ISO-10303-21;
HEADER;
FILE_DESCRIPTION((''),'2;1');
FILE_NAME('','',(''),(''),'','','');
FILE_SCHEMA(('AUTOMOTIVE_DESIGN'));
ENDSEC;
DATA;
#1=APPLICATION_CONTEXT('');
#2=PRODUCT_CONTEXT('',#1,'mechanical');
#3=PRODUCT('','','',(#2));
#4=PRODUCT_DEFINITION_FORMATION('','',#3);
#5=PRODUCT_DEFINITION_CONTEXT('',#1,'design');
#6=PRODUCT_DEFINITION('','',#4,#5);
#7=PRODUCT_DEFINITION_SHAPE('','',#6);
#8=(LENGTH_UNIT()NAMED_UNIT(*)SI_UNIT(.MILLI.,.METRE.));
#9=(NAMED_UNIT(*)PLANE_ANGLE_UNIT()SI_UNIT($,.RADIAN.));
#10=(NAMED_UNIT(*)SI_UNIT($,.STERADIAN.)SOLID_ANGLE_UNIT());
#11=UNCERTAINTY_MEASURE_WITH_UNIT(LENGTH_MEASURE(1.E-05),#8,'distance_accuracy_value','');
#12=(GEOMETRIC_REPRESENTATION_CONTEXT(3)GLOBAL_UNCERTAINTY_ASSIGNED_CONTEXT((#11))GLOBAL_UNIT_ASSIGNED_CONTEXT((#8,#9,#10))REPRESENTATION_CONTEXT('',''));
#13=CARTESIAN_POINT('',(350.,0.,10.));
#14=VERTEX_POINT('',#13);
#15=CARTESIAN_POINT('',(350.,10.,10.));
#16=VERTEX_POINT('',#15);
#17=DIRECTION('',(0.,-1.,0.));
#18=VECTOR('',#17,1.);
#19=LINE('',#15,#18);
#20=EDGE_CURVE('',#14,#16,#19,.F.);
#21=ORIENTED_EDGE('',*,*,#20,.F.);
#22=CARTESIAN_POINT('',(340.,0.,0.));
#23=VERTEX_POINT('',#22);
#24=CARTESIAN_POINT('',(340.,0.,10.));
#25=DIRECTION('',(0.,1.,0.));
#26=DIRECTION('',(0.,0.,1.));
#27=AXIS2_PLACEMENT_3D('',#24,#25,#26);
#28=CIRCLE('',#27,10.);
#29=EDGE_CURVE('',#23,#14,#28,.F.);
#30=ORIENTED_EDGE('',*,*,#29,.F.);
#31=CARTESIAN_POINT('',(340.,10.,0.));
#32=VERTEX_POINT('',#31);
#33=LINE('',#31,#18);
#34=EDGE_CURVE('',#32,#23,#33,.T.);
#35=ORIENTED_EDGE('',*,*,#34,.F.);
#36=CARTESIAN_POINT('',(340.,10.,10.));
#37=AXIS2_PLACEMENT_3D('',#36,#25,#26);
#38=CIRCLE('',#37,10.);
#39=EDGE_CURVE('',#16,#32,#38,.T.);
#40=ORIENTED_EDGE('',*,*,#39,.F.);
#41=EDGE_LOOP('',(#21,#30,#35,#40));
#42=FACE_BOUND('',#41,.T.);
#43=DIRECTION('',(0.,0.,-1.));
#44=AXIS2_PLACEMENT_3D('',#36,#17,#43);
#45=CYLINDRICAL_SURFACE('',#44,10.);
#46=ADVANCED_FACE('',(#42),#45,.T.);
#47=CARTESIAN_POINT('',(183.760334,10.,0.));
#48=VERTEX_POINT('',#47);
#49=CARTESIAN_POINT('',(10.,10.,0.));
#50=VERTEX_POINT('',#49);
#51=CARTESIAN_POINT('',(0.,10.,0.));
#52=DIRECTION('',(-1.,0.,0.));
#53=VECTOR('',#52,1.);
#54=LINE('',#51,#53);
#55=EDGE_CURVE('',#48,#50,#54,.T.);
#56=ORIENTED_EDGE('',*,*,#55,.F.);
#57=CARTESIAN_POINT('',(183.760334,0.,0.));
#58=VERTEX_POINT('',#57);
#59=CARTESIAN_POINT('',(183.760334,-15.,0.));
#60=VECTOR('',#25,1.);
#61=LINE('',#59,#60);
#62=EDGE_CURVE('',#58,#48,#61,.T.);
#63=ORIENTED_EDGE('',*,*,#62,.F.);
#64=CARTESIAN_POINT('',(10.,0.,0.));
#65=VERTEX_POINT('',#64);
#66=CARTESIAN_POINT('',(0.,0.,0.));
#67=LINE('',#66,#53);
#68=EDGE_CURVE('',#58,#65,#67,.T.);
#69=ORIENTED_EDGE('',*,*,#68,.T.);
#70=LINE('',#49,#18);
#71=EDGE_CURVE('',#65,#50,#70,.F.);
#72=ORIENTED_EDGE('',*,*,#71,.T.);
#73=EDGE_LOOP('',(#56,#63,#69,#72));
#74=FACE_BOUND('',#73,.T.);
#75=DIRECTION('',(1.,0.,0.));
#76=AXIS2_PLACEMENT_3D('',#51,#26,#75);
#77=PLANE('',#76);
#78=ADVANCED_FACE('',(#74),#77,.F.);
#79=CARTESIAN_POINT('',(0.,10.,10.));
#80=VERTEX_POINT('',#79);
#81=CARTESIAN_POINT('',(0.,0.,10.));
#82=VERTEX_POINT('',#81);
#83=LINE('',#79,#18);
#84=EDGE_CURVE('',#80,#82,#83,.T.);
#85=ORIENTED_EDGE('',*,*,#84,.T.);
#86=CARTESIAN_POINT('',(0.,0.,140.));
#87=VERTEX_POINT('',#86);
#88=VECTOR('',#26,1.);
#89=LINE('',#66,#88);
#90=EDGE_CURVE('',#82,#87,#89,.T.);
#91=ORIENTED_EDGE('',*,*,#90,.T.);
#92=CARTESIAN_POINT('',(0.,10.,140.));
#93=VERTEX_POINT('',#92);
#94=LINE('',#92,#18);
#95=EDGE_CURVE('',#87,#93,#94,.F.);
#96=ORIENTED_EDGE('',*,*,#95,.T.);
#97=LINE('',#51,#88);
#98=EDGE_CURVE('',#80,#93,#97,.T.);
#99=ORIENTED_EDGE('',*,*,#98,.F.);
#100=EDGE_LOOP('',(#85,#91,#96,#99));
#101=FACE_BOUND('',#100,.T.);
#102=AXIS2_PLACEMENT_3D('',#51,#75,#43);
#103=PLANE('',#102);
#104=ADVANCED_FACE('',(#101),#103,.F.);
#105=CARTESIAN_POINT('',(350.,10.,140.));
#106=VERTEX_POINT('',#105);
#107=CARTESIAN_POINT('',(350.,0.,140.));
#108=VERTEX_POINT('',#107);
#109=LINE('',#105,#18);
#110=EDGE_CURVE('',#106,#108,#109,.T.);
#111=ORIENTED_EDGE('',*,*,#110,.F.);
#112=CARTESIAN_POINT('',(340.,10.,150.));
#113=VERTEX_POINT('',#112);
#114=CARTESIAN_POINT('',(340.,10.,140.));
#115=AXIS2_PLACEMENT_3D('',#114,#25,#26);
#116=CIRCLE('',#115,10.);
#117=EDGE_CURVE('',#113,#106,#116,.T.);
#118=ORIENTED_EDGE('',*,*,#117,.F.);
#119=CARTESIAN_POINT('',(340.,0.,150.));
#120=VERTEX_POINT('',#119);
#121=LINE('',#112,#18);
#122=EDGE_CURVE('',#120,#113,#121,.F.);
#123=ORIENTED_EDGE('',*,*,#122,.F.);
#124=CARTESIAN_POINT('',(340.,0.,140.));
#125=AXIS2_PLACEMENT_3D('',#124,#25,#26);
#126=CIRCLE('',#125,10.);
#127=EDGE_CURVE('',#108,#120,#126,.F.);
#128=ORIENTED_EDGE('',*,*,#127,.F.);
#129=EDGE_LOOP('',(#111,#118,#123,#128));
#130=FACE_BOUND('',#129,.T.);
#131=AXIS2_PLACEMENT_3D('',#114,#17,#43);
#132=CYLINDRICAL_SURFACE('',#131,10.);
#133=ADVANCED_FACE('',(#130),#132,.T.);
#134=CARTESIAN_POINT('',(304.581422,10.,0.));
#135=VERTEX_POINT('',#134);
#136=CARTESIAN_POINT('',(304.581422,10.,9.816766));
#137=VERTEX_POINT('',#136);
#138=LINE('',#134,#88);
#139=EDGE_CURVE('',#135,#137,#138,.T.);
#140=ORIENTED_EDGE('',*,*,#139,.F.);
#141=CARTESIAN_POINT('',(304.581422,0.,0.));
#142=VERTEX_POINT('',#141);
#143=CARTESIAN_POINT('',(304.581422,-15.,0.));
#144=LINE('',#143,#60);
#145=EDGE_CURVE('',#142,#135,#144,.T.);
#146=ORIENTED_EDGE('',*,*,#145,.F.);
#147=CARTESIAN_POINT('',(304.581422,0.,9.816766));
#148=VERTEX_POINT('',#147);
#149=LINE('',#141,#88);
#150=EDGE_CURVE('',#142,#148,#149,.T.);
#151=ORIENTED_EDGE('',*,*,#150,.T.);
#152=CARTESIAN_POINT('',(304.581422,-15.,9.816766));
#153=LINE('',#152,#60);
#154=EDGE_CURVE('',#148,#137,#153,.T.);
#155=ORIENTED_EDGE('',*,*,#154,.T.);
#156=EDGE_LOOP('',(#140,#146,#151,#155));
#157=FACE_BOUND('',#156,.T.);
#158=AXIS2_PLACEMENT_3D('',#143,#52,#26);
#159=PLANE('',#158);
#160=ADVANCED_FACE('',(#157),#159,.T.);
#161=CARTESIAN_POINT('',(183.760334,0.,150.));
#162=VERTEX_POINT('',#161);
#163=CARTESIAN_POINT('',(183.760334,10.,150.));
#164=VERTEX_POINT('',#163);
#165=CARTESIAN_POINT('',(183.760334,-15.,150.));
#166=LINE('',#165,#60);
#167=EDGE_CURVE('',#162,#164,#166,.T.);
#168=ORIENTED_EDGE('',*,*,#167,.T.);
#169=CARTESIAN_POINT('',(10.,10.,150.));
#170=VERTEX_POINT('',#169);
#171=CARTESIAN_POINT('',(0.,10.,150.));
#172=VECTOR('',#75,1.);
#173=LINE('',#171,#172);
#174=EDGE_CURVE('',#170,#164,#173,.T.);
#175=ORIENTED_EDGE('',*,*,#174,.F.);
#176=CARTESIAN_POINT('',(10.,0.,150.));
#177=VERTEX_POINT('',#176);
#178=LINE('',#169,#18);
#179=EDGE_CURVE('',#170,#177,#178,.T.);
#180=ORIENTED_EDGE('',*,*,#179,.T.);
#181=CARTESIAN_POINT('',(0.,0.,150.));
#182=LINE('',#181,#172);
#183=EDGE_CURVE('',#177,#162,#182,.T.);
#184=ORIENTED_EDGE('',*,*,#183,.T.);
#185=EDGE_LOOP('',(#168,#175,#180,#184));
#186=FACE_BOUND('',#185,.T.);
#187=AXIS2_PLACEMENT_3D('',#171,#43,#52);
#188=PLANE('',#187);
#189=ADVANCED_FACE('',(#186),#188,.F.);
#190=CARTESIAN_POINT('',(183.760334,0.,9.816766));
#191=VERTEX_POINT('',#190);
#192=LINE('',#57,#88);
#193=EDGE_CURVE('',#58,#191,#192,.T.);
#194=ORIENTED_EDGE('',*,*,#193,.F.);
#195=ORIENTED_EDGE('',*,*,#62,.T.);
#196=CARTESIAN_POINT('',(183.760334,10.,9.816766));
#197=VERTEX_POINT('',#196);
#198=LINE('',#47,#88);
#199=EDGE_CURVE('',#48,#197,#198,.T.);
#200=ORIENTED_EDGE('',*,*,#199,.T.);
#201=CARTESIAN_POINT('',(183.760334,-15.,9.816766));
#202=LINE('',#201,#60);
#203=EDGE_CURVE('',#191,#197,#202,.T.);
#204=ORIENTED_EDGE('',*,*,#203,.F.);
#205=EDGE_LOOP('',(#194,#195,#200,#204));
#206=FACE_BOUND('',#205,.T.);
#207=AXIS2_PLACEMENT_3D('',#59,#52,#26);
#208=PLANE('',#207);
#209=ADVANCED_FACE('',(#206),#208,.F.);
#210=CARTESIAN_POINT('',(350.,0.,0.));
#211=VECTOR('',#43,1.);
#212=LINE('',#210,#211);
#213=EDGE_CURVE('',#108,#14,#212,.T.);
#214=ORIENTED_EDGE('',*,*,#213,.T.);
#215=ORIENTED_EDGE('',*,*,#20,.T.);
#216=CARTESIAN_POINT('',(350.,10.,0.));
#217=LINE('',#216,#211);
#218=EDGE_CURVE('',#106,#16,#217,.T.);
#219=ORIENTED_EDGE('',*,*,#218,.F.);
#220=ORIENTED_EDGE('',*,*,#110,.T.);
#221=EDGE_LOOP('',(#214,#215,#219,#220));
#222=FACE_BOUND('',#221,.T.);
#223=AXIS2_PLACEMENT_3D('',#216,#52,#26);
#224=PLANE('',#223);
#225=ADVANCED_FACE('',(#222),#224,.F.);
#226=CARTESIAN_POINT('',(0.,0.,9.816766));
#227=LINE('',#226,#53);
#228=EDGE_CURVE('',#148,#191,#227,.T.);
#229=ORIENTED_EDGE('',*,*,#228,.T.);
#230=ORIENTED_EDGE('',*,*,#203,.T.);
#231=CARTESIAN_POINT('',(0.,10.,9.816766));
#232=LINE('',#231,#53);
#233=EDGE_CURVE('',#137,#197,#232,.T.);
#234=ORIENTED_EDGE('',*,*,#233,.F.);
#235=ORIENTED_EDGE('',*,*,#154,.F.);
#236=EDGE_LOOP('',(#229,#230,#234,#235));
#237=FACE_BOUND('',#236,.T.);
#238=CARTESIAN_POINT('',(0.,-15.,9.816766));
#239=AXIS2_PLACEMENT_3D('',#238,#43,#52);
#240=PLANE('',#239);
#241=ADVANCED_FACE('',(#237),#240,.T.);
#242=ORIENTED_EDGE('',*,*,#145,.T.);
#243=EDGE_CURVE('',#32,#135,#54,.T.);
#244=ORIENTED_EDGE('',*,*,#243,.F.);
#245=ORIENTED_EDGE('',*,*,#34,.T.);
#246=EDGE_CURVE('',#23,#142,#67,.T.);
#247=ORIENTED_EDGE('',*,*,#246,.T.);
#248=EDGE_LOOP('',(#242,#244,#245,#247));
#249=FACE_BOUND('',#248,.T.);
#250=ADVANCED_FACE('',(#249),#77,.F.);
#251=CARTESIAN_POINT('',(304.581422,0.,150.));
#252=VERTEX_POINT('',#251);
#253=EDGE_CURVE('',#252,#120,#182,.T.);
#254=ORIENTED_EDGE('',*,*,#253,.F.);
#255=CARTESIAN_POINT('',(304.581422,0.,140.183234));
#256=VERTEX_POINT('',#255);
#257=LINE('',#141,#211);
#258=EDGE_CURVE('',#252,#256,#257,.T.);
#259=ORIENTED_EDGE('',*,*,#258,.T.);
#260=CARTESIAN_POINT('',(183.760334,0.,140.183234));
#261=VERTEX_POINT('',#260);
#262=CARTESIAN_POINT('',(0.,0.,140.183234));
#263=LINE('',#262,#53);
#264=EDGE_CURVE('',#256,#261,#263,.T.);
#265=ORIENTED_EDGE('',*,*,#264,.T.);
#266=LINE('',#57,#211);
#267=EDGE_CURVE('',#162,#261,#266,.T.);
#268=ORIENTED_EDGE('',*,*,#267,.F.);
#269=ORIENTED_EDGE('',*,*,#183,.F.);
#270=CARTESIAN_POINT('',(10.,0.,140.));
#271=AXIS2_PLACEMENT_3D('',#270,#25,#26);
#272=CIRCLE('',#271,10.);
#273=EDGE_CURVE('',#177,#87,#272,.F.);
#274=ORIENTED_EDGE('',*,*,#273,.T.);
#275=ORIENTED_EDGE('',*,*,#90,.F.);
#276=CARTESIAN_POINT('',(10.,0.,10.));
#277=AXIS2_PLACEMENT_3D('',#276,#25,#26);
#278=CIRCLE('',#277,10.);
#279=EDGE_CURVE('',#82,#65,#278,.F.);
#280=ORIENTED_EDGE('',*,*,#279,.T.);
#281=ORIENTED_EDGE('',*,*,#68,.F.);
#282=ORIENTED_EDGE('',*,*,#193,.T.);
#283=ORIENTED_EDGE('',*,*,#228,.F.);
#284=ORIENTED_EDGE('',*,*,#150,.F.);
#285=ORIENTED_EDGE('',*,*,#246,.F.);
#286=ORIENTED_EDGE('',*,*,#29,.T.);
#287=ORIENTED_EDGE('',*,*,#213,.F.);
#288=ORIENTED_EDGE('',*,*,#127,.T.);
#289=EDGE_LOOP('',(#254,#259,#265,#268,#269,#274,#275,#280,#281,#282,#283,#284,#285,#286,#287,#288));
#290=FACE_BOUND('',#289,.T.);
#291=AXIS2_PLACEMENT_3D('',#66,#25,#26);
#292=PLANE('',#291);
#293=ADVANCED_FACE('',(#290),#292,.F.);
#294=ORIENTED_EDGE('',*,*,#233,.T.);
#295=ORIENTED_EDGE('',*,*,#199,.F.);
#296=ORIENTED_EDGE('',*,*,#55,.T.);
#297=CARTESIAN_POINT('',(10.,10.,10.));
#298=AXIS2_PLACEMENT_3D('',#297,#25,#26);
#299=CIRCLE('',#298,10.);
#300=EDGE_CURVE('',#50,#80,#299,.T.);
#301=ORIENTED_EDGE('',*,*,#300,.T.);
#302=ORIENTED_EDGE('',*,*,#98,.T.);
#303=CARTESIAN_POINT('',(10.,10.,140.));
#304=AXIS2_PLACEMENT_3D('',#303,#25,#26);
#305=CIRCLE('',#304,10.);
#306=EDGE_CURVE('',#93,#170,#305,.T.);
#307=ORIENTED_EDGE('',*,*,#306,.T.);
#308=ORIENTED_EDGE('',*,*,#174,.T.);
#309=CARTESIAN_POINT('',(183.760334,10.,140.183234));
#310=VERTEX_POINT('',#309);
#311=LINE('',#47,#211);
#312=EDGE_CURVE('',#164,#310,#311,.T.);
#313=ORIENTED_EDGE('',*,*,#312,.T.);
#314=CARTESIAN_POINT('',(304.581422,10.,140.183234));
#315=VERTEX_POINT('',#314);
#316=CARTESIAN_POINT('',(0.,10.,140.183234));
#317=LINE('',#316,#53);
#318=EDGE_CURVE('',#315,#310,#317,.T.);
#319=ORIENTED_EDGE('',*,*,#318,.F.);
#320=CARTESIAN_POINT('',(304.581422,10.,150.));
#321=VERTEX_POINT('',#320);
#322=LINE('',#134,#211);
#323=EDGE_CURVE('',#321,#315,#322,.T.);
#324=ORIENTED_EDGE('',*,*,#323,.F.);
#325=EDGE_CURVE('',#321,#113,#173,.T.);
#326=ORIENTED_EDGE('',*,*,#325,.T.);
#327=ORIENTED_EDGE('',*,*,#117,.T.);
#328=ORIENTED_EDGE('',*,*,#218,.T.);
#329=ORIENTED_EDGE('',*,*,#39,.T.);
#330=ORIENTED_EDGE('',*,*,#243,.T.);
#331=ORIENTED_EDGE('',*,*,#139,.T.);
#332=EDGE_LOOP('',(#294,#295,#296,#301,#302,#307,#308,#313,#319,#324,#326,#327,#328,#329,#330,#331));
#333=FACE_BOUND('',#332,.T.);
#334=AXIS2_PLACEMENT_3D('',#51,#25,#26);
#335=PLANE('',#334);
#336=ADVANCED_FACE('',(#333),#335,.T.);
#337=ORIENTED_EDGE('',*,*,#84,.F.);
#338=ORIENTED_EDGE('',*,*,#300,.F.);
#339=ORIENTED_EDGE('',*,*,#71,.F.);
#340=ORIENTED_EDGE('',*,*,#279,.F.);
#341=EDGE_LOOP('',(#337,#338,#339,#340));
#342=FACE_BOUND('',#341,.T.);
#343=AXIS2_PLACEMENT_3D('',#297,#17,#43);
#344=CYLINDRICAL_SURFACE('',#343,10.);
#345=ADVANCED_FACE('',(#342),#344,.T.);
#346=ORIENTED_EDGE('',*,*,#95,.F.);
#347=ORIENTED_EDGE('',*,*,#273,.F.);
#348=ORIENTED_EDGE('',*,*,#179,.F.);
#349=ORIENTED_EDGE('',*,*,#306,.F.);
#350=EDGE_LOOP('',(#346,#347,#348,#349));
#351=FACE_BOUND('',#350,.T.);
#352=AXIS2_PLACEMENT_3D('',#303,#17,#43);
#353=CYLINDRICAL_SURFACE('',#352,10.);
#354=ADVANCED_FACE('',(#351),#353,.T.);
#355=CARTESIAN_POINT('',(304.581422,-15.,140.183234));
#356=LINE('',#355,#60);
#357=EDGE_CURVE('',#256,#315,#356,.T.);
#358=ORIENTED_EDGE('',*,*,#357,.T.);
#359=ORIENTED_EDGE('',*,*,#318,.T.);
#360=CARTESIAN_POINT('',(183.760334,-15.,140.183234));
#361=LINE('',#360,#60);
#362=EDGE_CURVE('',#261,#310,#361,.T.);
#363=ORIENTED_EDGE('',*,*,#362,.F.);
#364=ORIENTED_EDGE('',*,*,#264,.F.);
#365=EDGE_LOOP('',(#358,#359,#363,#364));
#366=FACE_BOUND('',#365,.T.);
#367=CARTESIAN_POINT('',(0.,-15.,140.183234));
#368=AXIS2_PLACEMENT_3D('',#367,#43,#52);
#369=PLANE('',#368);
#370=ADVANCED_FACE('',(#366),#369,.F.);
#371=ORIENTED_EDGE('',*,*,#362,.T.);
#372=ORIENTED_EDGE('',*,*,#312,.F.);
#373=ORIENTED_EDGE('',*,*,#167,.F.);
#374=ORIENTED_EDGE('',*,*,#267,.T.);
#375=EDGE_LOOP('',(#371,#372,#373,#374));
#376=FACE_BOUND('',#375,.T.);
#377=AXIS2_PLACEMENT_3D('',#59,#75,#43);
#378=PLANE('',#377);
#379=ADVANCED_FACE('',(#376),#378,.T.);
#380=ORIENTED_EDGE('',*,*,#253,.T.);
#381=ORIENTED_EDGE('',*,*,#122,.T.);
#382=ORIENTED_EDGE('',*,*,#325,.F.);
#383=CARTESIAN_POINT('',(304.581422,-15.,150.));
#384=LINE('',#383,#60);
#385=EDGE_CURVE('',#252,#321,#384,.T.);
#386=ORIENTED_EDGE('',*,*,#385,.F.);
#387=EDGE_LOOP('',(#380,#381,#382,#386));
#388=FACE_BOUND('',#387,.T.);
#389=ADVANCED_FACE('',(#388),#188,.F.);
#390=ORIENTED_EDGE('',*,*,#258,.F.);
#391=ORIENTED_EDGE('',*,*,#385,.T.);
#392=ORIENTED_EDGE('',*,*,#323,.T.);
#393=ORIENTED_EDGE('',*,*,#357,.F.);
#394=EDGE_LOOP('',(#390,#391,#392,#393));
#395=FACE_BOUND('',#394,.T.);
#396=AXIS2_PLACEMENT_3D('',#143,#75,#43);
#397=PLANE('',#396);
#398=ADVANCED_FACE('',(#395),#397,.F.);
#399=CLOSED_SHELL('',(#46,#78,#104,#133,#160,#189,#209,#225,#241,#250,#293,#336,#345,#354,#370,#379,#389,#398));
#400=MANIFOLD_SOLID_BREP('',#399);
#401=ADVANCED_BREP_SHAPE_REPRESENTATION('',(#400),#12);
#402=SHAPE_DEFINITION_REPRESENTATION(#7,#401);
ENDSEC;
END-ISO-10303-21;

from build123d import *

# Parameters (mm, degrees)
SKETCH1_W           = 350
SKETCH1_H           = 150
BOSS_EXTRUDE1_DEPTH = 10
FILLET2_R           = 10
SKETCH9_W           = 120.821087965
SKETCH9_H           = 9.816766212
CUT_EXTRUDE6_DEPTH  = 25


with BuildPart() as part:
    # Sketch1 → Boss-Extrude1 (new body)
    with BuildSketch(Plane(origin=(0, 0, 0), x_dir=(1, 0, 0), z_dir=(0, 1, 0))):
        with Locations((175, -75)):
            Rectangle(SKETCH1_W, SKETCH1_H)
    extrude(amount=BOSS_EXTRUDE1_DEPTH)

    # Fillet2
    fillet2_edges = [part.edges().sort_by_distance(p)[0] for p in [
        (0, 5, 0),
        (350, 5, 0),
        (350, 5, 150),
        (0, 5, 150),
    ]]
    fillet(fillet2_edges, radius=FILLET2_R)

    # Sketch9 → Cut-Extrude6 (cut)
    with BuildSketch(Plane(origin=(0, 10, 0), x_dir=(1, 0, 0), z_dir=(0, 1, 0))):
        with Locations((244.170878002, -145.091616894)):
            Rectangle(SKETCH9_W, SKETCH9_H)
        with Locations((244.170878002, -4.908383106)):
            Rectangle(SKETCH9_W, SKETCH9_H)
    extrude(amount=-CUT_EXTRUDE6_DEPTH, mode=Mode.SUBTRACT)


solid = part.part
